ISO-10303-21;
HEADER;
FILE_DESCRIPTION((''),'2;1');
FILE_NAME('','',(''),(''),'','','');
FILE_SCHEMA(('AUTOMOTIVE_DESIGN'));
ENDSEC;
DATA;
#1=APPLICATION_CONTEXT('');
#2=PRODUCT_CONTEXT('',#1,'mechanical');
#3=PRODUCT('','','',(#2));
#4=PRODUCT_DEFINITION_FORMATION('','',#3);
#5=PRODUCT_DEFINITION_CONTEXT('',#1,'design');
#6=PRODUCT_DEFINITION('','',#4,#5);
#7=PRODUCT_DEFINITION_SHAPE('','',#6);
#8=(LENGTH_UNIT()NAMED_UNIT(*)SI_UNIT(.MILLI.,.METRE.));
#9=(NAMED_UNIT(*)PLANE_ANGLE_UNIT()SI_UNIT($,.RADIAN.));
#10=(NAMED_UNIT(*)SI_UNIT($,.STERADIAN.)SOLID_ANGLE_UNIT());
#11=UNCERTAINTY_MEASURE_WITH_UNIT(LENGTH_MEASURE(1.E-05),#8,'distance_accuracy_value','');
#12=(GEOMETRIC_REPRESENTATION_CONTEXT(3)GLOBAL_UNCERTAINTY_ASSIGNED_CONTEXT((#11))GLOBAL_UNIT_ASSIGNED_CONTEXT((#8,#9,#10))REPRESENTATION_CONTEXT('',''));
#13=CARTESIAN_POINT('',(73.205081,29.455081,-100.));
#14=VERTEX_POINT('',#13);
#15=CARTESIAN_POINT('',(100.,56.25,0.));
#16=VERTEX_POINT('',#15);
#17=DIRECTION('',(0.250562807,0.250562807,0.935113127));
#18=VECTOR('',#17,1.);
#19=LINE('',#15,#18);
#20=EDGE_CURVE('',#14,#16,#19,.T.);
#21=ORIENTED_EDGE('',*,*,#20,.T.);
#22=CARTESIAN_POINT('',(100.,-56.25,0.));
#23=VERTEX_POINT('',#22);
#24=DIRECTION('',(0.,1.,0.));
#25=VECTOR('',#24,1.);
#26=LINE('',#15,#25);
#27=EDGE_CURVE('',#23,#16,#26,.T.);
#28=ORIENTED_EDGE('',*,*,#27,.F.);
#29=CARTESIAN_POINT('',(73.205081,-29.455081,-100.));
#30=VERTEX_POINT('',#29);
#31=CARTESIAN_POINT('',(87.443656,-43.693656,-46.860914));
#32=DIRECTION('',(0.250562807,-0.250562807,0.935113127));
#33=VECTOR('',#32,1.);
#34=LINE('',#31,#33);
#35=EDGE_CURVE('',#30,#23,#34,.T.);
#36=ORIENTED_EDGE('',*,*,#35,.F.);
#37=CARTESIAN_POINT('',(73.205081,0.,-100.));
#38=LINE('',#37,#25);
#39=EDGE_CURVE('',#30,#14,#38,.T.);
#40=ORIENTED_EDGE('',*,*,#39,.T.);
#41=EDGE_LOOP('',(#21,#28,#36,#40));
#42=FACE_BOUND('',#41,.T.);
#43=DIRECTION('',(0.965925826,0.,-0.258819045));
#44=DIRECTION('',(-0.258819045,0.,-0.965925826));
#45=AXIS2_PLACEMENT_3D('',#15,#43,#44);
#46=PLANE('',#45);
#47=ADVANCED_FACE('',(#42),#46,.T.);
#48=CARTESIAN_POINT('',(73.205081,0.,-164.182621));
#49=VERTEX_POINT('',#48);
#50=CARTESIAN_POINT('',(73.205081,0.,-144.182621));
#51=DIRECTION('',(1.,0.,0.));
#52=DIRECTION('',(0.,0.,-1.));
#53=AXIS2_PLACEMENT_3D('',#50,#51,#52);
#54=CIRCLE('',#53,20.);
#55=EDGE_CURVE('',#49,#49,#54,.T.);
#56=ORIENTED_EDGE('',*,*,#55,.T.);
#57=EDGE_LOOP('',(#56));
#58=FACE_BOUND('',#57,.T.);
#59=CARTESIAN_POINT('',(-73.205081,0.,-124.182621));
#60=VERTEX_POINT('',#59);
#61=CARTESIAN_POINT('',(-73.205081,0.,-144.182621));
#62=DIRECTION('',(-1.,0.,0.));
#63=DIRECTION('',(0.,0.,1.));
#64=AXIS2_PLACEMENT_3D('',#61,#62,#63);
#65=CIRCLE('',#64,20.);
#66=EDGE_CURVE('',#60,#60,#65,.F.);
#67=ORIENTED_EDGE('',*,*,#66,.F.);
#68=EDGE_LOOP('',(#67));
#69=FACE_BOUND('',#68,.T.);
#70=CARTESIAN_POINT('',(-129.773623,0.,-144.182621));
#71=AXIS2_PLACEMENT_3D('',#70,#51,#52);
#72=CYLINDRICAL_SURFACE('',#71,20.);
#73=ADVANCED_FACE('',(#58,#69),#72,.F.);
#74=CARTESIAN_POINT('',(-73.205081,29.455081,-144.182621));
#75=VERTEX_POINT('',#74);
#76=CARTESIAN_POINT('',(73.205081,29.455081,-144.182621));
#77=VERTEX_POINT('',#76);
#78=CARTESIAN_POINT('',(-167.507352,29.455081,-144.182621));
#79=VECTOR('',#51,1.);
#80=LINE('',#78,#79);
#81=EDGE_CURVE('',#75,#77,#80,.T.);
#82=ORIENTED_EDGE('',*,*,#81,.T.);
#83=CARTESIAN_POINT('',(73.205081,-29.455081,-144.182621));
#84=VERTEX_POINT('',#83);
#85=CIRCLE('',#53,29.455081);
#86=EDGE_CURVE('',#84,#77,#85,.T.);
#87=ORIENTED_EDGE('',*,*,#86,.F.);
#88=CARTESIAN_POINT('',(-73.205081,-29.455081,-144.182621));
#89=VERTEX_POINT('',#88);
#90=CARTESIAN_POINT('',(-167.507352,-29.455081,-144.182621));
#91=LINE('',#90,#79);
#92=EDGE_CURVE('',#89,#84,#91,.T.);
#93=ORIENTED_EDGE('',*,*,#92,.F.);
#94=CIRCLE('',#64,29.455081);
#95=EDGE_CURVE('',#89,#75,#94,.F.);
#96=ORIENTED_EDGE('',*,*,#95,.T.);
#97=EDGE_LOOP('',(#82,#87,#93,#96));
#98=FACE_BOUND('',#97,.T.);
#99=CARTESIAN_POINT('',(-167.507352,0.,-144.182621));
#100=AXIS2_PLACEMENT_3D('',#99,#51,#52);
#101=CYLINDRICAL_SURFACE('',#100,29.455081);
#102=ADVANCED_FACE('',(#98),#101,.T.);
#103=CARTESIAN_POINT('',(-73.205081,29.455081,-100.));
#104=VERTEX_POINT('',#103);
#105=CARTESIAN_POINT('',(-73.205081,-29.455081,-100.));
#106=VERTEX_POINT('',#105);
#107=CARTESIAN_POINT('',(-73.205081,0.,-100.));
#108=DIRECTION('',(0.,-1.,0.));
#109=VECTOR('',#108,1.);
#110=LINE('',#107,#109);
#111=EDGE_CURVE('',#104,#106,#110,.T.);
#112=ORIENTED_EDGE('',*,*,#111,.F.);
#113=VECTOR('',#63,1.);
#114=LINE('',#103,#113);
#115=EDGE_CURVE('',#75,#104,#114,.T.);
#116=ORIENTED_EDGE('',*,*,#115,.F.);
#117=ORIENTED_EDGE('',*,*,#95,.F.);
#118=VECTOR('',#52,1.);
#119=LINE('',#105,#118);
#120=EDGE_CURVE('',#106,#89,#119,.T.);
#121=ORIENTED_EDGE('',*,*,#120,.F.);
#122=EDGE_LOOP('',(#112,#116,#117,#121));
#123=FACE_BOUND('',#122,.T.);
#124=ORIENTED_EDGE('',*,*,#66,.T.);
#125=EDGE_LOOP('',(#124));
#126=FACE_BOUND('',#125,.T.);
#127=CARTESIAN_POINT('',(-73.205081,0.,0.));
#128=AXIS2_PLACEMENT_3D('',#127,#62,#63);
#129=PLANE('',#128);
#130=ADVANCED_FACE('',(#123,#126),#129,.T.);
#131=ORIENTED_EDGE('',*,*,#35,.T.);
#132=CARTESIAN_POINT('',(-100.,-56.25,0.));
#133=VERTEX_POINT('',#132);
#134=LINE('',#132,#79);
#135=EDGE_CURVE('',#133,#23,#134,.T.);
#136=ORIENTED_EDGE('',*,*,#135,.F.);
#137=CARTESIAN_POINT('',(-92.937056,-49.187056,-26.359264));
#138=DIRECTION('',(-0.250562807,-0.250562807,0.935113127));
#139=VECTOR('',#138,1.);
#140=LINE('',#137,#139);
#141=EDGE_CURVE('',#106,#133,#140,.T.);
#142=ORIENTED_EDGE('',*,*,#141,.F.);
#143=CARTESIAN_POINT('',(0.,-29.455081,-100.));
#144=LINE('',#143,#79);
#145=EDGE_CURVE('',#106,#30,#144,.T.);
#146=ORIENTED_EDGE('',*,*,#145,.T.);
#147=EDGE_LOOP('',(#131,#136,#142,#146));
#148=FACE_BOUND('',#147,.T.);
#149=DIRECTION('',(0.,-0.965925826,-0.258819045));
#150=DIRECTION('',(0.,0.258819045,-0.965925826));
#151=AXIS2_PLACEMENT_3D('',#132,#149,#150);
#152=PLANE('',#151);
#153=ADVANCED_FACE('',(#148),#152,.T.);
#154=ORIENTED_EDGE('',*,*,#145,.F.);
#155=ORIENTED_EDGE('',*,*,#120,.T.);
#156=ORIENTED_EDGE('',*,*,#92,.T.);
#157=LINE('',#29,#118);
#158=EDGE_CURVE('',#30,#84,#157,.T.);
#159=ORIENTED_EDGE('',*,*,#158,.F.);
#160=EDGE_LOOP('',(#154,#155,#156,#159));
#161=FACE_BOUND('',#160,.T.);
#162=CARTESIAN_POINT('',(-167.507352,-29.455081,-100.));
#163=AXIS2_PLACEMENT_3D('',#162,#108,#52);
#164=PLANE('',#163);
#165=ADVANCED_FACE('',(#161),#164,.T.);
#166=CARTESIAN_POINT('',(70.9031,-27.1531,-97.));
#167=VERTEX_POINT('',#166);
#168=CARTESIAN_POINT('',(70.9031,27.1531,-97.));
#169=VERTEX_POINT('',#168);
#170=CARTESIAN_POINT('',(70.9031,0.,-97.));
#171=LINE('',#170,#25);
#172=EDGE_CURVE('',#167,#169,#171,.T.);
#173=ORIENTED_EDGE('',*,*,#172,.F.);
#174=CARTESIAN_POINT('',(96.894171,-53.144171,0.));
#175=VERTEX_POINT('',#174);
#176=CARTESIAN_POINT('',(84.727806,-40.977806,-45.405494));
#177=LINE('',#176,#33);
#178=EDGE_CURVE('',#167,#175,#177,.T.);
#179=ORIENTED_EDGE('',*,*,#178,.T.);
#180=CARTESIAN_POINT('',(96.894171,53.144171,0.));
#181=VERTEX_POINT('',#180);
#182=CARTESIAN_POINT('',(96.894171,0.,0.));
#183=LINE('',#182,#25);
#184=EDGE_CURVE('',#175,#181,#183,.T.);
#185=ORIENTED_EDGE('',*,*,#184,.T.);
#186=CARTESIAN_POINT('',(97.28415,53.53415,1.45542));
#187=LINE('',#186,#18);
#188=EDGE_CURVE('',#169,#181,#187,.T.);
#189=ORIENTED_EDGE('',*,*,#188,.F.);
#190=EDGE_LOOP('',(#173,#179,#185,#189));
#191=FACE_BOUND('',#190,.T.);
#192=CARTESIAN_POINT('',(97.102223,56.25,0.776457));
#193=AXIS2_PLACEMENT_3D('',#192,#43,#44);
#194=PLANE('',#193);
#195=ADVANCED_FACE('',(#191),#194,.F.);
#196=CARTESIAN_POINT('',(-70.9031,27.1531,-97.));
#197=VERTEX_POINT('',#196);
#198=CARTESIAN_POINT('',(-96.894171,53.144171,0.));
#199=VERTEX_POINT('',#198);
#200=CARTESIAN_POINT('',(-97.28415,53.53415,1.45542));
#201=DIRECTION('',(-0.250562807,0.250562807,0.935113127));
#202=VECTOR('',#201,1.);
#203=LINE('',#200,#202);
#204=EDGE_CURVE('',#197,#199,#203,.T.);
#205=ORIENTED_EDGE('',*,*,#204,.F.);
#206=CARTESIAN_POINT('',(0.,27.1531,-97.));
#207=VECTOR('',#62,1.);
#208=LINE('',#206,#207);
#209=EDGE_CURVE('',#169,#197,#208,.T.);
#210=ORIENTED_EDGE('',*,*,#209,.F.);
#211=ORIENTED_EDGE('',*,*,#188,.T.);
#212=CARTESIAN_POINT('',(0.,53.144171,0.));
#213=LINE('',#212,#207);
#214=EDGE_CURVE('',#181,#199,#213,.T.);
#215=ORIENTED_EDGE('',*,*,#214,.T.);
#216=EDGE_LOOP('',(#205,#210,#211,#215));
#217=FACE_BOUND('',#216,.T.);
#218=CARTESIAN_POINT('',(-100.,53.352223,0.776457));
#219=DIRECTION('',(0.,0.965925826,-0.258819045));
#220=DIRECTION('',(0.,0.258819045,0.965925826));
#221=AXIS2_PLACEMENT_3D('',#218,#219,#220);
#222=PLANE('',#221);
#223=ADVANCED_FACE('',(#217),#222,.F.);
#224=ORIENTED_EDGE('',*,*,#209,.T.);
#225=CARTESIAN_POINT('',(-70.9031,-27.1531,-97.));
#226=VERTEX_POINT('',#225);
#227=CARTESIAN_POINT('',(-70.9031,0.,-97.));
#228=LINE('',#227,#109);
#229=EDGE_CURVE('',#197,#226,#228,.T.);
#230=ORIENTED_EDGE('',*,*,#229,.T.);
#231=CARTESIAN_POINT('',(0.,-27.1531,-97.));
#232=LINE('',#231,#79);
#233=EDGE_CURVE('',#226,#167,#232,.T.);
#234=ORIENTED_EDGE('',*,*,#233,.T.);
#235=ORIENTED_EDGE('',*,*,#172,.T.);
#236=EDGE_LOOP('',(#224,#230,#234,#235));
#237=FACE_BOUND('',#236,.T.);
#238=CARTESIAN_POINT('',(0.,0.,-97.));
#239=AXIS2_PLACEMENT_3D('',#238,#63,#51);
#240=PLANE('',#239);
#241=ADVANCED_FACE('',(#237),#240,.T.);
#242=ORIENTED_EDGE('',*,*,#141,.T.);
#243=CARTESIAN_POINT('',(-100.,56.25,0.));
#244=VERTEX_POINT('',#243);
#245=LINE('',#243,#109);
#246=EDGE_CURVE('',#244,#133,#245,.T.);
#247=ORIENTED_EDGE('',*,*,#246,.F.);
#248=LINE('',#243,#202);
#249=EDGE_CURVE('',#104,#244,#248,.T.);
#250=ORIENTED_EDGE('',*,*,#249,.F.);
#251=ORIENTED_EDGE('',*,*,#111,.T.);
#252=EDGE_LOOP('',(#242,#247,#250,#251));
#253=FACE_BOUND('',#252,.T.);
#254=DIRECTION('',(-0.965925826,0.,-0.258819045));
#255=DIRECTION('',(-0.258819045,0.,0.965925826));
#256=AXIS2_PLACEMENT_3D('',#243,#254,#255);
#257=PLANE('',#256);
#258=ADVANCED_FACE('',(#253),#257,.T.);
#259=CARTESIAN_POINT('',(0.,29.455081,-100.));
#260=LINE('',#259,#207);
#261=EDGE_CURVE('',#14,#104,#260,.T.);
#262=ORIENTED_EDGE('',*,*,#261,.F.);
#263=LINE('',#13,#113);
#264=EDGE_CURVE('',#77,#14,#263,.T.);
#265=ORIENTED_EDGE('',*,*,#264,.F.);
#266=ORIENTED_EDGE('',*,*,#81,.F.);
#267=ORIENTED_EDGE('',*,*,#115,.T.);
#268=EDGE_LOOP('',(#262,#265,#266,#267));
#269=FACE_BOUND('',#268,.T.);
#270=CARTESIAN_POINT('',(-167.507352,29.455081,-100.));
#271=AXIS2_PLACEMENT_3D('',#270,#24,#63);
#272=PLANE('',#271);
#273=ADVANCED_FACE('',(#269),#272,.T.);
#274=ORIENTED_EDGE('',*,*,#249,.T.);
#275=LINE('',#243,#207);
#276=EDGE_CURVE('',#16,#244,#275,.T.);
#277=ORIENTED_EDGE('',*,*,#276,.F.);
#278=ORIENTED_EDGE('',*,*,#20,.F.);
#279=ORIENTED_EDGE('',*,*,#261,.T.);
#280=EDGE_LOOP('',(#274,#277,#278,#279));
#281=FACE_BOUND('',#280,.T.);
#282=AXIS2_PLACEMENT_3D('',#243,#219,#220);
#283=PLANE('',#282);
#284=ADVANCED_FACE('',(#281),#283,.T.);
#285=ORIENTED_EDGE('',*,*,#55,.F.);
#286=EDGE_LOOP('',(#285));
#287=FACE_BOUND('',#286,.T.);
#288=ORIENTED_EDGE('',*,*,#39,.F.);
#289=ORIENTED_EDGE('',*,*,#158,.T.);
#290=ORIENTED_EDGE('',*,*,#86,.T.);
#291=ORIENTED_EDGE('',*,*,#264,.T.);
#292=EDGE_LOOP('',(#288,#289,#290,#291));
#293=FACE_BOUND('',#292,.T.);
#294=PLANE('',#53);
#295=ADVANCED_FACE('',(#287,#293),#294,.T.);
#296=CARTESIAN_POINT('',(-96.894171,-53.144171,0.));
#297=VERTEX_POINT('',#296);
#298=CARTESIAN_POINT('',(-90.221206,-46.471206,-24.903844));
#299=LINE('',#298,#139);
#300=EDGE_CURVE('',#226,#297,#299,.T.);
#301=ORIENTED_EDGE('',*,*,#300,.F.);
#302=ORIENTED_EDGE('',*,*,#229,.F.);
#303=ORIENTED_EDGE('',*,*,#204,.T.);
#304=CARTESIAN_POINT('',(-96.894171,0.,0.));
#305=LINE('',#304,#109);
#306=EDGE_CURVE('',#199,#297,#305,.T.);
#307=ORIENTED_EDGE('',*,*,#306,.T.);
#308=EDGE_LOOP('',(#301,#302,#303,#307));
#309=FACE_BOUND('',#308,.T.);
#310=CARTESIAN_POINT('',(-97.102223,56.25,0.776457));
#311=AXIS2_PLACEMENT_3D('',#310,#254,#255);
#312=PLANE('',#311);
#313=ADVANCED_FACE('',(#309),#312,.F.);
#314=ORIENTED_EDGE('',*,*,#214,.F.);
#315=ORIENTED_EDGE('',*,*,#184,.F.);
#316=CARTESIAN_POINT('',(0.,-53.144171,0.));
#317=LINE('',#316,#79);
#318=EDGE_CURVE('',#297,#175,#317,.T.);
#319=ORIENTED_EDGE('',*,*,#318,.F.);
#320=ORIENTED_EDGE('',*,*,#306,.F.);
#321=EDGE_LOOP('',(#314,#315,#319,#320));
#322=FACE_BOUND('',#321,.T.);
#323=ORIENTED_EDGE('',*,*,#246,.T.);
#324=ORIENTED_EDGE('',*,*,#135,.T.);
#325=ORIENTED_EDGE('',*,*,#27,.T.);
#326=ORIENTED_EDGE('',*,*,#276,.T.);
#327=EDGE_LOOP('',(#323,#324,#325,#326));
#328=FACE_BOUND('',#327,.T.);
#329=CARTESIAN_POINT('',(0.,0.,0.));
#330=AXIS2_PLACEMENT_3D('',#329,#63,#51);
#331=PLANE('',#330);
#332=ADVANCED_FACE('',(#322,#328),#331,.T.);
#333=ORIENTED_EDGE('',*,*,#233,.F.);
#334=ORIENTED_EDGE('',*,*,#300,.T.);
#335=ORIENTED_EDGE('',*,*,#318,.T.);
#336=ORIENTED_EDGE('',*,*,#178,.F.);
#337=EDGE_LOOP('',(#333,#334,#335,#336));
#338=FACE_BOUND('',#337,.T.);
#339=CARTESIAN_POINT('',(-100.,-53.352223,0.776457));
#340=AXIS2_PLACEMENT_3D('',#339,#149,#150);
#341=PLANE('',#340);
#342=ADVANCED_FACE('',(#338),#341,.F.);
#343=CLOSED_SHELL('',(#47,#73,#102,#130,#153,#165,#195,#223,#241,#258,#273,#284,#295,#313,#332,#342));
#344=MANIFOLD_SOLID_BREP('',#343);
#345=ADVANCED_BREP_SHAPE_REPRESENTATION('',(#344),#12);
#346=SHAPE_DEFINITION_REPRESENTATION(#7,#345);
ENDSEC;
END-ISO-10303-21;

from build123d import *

# Parameters (mm, degrees)
CAMERA_CONE_SKETCH_W      = 200
CAMERA_CONE_SKETCH_H      = 112.5
CAMERA_CONE_EXTRUDE_DEPTH = 100
CAMERA_CONE_EXTRUDE_DRAFT = -15
CAMERA_CONE_SHELL_T       = -3
HINGE_EXTRUDE_DEPTH       = 146.410161514
HINGE_HOLE_SKETCH_R       = 20
HINGE_HOLE_CUT_DEPTH      = 146.410161514


with BuildPart() as part:
    # Camera Cone Sketch → Camera Cone Extrude (with draft: the straight prism first)
    with BuildSketch(Plane.XY):
        Rectangle(CAMERA_CONE_SKETCH_W, CAMERA_CONE_SKETCH_H)
    extrude(amount=-CAMERA_CONE_EXTRUDE_DEPTH)
    # Camera Cone Extrude: the draft: its side faces are tilted about the plane it starts from
    camera_cone_extrude_sides = [part.faces().sort_by_distance(p)[0] for p in [
        (-100, 0, -50),
        (0, -56.25, -50),
        (100, 0, -50),
        (0, 56.25, -50),
    ]]
    draft(camera_cone_extrude_sides, Plane.XY, CAMERA_CONE_EXTRUDE_DRAFT)

    # Camera Cone Shell
    camera_cone_shell_openings = [part.faces().sort_by_distance(p)[0] for p in [
        (0, 0, 0),
    ]]
    offset(amount=CAMERA_CONE_SHELL_T, openings=camera_cone_shell_openings, kind=Kind.INTERSECTION)

    # Hinge Sketch → Hinge Extrude (add)
    with BuildSketch(Plane(origin=(73.205080757, 0, 0), x_dir=(0, 0, -1), z_dir=(1, 0, 0))):
        with BuildLine():
            Line((100, 29.455080757), (144.182621135, 29.455080757))
            ThreePointArc((144.182621135, 29.455080757), (173.637701892, 0), (144.182621135, -29.455080757))
            Line((144.182621135, -29.455080757), (100, -29.455080757))
            Line((100, -29.455080757), (100, 29.455080757))
        make_face()
    extrude(amount=-HINGE_EXTRUDE_DEPTH)

    # Hinge Hole Sketch → Hinge Hole Cut (cut)
    with BuildSketch(Plane(origin=(73.205080757, 0, 0), x_dir=(0, 0, -1), z_dir=(1, 0, 0))):
        with Locations((144.182621135, 0)):
            Circle(HINGE_HOLE_SKETCH_R)
    extrude(amount=-HINGE_HOLE_CUT_DEPTH, mode=Mode.SUBTRACT)


solid = part.part
